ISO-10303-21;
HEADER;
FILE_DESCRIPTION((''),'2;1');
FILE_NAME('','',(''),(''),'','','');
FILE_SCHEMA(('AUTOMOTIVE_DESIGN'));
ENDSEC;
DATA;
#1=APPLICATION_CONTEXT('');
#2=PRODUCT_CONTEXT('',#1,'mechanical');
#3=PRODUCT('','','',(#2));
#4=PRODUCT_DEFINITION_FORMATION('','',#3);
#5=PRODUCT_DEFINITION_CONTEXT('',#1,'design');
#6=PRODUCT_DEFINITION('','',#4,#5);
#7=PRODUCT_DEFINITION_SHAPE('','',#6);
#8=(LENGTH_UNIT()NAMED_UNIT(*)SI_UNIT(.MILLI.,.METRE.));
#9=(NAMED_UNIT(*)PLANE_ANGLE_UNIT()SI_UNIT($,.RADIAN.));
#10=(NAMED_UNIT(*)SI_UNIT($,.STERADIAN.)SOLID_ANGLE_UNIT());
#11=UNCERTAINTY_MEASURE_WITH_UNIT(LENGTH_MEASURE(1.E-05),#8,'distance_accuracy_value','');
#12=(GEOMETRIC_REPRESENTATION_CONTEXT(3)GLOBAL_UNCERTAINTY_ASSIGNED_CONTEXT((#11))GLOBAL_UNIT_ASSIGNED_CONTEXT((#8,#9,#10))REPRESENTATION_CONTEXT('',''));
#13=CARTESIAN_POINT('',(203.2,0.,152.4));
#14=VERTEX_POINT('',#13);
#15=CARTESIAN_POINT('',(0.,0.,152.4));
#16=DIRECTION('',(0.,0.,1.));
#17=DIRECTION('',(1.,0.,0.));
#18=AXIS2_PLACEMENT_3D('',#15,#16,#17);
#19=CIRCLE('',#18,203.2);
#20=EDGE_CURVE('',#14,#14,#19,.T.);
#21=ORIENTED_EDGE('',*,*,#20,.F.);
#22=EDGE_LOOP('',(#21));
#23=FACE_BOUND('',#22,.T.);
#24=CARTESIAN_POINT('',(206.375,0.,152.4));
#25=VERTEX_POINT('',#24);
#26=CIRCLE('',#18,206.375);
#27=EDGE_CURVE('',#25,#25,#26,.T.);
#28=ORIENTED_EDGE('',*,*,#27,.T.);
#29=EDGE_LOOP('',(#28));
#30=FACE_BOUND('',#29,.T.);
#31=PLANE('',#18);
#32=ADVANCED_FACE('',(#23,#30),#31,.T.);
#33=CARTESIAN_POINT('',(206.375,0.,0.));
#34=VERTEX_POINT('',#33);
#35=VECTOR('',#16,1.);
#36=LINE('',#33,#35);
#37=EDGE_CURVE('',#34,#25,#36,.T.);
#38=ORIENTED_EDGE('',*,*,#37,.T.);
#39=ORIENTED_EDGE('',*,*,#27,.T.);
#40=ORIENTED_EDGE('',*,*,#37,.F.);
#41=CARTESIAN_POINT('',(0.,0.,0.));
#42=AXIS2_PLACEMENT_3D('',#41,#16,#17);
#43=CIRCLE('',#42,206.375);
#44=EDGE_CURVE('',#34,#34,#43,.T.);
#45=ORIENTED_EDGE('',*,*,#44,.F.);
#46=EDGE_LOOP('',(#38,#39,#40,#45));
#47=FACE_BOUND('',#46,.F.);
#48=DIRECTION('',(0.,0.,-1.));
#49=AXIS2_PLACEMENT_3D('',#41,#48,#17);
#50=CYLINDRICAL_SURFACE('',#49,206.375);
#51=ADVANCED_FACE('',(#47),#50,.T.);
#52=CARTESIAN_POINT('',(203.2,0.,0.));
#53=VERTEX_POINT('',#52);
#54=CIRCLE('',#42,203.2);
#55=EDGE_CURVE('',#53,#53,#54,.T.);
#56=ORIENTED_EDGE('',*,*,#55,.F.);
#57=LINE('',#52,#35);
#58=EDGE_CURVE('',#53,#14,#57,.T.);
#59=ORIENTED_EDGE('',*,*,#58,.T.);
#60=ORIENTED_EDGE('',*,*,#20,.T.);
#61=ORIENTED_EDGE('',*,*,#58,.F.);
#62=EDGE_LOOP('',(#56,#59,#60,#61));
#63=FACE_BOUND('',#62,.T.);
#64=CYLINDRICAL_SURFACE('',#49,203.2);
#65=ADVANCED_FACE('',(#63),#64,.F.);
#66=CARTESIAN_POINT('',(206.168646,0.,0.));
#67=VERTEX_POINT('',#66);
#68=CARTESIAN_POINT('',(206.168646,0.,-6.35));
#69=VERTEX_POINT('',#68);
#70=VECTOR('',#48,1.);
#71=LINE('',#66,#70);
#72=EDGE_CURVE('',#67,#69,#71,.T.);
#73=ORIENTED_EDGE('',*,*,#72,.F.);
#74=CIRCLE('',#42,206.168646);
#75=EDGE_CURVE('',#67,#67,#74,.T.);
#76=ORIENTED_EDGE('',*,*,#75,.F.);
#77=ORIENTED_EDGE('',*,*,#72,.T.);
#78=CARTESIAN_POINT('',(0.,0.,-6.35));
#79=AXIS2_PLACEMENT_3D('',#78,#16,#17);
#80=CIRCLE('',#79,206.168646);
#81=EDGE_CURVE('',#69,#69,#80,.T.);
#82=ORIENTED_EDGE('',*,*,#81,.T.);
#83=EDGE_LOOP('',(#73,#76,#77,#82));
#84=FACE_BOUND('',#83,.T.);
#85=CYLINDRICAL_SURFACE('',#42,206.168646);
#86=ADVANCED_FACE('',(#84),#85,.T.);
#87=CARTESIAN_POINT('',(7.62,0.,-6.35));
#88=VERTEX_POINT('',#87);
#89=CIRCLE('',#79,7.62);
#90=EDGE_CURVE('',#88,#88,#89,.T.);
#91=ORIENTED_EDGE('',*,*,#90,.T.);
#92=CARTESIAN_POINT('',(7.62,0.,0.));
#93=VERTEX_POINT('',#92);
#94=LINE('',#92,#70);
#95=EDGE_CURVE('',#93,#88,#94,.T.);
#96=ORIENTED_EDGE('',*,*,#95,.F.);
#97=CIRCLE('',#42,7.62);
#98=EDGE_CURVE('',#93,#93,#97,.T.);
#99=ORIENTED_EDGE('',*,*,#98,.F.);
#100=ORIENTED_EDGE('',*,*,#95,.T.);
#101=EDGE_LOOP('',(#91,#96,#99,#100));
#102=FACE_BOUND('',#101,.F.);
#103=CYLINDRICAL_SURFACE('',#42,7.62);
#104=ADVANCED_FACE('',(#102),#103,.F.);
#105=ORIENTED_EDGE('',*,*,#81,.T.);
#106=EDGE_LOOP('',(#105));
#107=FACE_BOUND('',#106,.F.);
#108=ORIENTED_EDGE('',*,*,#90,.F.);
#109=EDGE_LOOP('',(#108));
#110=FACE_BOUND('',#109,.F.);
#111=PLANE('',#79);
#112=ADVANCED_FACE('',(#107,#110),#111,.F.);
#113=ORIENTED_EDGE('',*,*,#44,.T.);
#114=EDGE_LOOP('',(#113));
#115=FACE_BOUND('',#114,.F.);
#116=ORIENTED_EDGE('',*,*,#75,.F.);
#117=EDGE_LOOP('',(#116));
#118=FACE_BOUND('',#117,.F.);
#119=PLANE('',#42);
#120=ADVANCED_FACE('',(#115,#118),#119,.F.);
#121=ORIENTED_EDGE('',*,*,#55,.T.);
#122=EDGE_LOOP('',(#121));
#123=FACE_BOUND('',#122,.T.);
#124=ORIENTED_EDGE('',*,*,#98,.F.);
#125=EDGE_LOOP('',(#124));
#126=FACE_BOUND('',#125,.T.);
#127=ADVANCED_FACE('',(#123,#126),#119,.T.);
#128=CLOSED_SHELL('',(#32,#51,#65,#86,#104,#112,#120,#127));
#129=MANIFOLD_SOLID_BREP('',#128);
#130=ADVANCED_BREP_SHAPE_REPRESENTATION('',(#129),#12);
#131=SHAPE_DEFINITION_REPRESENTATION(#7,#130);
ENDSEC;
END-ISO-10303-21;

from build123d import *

# Parameters (mm, degrees)
F0_R     = 206.375
F0_R_2   = 203.2
F1_DEPTH = 152.4
F2_R     = 206.168646
F3_DEPTH = 6.35
F4_R     = 7.62
F5_DEPTH = 25.4


with BuildPart() as f1:
    # F0 (on Top) → F1 (new body)
    with BuildSketch(Plane.XY):
        Circle(F0_R)
        Circle(F0_R_2, mode=Mode.SUBTRACT)
    extrude(amount=F1_DEPTH)

    # F2 (on Top) → F3 (join)
    with BuildSketch(Plane.XY):
        Circle(F2_R)
    extrude(amount=-F3_DEPTH)

    # F4 (on face) → F5 (cut)
    with BuildSketch(Plane.XY):
        Circle(F4_R)
    extrude(amount=-F5_DEPTH, mode=Mode.SUBTRACT)


solid = f1.part
